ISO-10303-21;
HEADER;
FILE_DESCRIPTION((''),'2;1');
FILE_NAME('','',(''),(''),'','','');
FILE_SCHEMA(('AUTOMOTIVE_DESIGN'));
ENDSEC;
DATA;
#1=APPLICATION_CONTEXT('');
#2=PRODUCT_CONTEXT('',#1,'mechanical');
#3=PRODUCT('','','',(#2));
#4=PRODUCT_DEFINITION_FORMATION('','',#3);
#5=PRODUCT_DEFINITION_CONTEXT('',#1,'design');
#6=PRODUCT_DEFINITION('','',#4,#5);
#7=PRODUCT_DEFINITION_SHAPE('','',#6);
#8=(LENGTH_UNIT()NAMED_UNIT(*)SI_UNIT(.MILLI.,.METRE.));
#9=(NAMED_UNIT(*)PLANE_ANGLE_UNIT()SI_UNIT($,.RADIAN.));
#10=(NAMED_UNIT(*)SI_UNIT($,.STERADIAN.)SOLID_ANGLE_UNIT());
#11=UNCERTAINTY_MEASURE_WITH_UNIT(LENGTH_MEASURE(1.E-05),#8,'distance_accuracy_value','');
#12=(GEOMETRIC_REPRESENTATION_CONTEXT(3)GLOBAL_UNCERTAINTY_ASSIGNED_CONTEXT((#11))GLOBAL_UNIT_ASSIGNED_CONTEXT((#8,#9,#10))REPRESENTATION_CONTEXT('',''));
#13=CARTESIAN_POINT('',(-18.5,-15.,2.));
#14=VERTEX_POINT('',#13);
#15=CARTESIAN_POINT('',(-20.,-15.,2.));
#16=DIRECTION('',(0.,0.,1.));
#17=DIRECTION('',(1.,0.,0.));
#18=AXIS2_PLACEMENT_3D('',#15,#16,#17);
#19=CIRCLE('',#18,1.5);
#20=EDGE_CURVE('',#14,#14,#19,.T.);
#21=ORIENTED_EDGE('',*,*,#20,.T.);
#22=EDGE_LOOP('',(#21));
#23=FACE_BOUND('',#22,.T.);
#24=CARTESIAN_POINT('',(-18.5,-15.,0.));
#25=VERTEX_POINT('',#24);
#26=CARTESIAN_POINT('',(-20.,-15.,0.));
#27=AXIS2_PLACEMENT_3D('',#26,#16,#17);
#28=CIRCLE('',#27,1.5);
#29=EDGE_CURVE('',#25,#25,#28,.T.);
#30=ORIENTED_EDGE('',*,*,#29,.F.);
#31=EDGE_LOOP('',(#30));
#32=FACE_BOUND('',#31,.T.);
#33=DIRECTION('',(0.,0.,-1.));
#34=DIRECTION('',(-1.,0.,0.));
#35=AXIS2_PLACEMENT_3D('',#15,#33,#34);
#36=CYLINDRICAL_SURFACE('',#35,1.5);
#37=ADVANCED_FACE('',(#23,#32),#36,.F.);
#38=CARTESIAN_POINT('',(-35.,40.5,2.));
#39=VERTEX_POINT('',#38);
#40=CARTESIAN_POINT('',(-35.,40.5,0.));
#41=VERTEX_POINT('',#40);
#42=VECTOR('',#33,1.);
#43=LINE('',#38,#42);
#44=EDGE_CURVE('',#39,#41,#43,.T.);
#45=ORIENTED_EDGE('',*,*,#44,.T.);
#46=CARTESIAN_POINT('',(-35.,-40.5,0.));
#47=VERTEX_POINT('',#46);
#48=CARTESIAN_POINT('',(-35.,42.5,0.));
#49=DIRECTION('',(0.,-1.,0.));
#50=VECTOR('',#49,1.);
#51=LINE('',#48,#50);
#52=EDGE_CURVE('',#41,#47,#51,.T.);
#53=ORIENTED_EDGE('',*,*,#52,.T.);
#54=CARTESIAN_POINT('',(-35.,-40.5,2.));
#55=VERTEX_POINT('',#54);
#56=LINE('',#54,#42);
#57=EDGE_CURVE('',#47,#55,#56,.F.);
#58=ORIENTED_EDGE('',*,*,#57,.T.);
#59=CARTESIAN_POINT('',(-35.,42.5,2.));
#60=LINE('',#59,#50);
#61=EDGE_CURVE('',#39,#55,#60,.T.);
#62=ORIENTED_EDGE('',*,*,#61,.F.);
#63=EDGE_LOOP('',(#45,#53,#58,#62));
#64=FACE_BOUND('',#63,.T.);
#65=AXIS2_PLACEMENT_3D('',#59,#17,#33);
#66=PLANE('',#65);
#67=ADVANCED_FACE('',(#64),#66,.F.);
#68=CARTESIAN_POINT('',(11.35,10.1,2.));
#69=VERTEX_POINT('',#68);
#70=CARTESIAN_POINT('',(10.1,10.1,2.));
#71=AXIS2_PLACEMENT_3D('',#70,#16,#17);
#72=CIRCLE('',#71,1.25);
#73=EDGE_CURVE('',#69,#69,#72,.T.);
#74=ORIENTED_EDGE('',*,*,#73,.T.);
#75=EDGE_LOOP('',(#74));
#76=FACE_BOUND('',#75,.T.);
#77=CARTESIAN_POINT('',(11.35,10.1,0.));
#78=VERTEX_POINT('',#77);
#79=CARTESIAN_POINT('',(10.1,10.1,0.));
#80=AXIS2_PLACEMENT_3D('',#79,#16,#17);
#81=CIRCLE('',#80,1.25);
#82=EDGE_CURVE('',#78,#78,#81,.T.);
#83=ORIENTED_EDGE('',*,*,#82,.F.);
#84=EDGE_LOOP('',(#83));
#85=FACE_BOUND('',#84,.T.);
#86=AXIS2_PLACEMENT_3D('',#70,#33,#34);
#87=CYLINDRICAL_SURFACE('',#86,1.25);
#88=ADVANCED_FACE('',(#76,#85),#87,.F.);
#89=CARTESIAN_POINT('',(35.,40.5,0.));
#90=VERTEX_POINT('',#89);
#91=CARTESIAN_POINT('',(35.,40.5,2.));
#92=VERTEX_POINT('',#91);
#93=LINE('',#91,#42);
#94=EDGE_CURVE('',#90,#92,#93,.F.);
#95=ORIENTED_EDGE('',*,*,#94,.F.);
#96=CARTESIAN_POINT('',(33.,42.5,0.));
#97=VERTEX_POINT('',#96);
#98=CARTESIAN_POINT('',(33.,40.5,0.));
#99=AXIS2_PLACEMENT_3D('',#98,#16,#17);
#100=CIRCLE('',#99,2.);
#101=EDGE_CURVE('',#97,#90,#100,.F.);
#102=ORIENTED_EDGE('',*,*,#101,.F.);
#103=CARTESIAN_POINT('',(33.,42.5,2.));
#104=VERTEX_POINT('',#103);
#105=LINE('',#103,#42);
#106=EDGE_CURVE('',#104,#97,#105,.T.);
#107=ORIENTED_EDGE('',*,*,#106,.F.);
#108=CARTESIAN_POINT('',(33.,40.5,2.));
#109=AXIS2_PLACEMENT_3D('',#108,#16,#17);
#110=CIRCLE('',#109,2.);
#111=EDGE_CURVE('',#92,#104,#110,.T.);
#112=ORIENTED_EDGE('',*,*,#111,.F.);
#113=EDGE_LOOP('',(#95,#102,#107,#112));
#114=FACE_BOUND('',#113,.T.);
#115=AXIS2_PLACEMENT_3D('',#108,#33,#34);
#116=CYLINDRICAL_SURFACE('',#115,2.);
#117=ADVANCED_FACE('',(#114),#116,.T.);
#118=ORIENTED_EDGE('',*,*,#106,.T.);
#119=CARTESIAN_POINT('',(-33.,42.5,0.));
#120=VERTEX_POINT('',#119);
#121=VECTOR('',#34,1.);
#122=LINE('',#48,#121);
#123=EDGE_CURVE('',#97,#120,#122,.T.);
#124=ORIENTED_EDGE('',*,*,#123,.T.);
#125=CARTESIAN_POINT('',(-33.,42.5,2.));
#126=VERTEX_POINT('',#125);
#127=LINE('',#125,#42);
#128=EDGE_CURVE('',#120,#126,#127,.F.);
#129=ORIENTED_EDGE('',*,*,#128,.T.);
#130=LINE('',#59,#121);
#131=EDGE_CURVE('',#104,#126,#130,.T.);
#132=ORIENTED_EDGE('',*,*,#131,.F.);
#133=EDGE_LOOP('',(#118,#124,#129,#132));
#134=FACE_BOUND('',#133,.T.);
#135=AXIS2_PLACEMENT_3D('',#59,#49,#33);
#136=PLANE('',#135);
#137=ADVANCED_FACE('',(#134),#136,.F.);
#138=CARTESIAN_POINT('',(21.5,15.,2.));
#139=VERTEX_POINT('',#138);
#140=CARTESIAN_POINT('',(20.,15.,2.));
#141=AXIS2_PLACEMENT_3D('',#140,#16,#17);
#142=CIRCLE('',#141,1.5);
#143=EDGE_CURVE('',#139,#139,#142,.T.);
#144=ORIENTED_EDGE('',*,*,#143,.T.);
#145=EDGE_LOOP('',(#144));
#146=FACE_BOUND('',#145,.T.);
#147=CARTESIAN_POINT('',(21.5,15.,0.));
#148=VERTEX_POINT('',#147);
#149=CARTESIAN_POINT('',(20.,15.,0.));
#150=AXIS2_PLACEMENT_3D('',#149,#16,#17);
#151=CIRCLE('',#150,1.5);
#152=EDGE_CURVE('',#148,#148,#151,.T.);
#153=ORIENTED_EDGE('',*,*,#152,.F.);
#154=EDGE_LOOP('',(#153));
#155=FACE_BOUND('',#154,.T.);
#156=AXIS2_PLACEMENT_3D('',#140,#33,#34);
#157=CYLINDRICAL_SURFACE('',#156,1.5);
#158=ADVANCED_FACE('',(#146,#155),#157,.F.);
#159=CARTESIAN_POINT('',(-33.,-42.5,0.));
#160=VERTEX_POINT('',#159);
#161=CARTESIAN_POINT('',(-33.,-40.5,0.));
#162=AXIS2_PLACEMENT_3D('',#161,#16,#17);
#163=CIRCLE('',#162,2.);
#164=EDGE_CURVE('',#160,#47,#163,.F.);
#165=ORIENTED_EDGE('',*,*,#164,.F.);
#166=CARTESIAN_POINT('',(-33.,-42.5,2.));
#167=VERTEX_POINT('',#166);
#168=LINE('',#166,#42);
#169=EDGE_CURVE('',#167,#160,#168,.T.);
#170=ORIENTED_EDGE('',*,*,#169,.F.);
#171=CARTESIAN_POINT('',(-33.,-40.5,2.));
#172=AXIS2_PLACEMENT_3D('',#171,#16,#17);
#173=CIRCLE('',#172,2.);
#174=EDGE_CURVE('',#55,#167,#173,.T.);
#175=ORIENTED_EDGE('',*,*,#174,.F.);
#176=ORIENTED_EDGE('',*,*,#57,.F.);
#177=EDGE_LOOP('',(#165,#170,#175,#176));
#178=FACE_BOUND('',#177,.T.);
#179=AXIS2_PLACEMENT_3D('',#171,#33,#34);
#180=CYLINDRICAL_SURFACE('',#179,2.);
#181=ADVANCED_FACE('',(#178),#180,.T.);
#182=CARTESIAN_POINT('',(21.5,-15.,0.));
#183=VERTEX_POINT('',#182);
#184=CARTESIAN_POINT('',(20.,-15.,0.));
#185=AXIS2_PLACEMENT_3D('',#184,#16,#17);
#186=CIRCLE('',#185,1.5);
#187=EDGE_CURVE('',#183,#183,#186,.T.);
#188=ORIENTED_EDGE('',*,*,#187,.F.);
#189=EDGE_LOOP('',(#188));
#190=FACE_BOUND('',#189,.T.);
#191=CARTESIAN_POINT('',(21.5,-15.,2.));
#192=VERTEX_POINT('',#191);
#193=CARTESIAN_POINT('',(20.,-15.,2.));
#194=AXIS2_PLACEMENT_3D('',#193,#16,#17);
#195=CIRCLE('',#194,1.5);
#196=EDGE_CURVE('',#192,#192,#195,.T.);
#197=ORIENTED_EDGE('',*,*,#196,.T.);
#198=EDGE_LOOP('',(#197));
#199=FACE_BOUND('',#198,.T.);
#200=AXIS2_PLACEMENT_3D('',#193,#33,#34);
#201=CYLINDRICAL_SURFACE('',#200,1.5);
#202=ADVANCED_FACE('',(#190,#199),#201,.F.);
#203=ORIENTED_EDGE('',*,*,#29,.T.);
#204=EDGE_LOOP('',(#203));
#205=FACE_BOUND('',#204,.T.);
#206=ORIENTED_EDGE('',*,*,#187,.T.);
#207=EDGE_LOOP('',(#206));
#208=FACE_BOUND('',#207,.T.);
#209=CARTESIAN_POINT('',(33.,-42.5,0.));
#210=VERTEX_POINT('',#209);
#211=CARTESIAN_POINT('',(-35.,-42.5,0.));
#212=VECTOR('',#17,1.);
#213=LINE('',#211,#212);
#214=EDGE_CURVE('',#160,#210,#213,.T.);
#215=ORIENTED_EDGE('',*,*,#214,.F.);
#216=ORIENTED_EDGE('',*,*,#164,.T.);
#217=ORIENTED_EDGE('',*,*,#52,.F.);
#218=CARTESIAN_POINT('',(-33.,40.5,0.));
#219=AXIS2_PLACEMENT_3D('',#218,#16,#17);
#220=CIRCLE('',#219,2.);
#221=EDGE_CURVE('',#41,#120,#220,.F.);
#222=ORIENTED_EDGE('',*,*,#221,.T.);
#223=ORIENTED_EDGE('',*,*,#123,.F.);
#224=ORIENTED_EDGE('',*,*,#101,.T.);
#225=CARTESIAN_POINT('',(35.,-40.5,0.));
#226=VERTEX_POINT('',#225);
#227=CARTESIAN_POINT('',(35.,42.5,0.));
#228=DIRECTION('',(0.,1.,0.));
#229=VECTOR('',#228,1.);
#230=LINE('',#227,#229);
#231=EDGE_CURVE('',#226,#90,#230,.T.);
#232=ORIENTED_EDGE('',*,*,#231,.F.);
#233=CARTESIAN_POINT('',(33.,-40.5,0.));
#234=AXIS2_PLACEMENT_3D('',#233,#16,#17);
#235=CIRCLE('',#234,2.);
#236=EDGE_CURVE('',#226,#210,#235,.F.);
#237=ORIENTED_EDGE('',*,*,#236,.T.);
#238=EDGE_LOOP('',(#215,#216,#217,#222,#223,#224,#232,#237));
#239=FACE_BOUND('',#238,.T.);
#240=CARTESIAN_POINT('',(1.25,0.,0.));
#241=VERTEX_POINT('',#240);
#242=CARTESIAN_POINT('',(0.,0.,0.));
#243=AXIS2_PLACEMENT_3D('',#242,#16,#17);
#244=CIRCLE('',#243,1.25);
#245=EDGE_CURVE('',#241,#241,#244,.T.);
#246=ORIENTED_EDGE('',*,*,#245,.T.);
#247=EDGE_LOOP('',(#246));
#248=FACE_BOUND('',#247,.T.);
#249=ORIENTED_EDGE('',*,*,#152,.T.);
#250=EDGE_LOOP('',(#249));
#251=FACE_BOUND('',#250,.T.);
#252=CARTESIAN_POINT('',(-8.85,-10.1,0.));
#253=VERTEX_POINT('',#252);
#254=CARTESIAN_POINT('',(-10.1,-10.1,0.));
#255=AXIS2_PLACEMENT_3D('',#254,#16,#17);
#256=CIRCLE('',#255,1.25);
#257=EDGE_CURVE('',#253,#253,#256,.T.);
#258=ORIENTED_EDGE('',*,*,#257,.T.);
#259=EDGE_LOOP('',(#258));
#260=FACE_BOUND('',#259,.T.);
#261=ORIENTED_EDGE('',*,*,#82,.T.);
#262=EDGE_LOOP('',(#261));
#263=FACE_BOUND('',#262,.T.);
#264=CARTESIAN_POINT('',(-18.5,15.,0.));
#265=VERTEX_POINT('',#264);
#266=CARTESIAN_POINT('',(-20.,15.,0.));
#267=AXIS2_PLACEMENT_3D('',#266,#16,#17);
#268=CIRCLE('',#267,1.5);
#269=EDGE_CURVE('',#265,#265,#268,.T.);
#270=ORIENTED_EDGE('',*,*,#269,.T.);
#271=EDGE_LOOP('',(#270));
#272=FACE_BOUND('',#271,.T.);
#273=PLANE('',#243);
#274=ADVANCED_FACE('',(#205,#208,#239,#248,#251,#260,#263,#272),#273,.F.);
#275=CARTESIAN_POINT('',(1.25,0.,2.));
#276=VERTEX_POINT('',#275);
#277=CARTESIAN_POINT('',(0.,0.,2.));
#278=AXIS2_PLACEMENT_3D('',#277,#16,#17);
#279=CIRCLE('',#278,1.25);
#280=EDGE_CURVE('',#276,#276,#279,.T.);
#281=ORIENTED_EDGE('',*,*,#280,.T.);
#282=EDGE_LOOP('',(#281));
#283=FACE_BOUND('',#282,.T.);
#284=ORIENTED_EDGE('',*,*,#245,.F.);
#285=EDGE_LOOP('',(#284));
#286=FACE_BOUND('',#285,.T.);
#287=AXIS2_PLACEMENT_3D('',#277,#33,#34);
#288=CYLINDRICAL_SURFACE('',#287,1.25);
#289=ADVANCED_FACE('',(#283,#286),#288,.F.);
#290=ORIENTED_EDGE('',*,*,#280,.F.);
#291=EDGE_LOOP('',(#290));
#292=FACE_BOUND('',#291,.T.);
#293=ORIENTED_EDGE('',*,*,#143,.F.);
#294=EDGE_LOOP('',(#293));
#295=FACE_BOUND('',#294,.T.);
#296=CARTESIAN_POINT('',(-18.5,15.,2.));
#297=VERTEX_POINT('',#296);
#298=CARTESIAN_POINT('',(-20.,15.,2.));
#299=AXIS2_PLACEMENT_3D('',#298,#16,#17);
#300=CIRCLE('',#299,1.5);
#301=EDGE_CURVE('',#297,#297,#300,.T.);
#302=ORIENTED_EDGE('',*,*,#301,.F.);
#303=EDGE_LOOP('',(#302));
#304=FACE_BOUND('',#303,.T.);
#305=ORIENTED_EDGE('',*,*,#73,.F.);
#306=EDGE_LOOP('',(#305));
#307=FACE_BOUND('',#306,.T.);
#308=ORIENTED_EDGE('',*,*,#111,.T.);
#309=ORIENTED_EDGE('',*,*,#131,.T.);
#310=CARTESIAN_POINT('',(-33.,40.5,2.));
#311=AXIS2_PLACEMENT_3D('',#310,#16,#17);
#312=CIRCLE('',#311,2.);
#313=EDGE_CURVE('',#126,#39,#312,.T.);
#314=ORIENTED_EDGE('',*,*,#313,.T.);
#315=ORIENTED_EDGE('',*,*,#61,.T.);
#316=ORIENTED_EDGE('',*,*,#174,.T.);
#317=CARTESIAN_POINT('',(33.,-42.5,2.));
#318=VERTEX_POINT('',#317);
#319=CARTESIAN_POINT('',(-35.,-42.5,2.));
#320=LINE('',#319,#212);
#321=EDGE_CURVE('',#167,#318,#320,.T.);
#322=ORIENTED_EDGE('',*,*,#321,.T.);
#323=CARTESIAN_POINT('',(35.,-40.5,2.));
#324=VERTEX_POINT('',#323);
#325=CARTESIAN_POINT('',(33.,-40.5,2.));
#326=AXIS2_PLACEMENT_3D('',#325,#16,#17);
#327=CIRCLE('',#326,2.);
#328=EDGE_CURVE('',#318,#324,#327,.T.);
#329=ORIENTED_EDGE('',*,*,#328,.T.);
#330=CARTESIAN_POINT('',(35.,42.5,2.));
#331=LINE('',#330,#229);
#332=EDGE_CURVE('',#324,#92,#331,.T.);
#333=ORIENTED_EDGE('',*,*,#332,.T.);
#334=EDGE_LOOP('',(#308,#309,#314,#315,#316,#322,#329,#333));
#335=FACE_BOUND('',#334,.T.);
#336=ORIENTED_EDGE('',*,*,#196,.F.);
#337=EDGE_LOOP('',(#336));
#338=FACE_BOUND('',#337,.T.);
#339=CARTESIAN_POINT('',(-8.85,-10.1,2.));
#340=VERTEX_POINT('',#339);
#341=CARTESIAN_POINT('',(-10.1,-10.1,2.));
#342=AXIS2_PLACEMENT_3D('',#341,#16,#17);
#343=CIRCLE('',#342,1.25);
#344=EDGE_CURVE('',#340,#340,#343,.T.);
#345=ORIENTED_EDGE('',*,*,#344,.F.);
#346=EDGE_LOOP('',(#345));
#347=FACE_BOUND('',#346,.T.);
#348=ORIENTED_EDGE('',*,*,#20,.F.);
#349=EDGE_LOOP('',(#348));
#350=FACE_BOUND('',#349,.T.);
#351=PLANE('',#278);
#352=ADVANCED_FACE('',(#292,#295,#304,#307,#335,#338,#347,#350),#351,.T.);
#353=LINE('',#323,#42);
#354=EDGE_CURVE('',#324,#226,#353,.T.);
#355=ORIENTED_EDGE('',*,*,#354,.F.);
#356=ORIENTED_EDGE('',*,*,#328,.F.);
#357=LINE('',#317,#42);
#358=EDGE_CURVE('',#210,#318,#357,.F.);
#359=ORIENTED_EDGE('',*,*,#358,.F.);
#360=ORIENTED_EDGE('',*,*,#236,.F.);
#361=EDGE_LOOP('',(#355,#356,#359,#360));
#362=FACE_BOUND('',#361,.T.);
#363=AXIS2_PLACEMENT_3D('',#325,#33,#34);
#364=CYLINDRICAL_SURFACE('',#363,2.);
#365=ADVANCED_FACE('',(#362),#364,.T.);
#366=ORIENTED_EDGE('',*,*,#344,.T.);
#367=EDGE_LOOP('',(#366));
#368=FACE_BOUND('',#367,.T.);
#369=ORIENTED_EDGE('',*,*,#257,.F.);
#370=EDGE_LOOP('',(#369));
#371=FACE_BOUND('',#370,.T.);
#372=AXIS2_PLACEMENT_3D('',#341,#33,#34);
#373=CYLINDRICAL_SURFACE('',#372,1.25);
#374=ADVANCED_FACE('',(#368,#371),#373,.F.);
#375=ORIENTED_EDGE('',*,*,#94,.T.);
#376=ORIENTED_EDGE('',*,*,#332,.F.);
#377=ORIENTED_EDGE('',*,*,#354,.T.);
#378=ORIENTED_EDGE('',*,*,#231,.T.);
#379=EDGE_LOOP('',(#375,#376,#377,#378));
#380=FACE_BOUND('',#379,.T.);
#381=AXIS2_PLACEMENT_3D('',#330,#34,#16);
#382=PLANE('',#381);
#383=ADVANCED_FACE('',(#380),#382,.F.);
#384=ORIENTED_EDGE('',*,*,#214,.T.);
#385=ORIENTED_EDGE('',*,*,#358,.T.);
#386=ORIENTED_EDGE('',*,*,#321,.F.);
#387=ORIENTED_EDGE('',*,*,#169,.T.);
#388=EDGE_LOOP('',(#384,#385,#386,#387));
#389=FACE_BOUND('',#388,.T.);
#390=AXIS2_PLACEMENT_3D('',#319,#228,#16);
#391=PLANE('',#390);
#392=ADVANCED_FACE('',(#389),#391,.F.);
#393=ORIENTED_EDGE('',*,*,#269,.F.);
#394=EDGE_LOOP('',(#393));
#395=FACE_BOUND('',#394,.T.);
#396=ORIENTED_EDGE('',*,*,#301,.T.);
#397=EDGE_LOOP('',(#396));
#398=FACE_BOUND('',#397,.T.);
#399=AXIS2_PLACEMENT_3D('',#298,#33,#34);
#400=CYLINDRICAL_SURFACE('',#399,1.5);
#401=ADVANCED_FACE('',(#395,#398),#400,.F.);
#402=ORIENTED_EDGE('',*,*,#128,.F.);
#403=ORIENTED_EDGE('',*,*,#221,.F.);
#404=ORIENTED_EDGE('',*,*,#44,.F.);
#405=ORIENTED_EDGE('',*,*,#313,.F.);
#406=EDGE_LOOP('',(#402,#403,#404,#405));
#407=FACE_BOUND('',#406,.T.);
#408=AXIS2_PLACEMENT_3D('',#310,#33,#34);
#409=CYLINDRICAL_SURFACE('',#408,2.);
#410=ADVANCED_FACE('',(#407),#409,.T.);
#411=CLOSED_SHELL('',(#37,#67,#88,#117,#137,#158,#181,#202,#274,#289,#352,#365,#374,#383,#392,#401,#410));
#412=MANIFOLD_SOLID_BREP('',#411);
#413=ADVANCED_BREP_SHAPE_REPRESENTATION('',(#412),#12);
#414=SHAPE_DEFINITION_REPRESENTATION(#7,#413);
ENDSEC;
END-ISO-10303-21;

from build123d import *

# Parameters (mm, degrees)
SKETCH_1_W      = 70
SKETCH_1_H      = 85
SKETCH_1_R      = 1.5
SKETCH_1_R_2    = 1.25
EXTRUDE_1_DEPTH = 2
FILLET_1_R      = 2


with BuildPart() as part:
    # 草图1 → 凸台-拉伸1 (new body)
    with BuildSketch(Plane.XY):
        Rectangle(SKETCH_1_W, SKETCH_1_H)
        with Locations((-20, 15)):
            Circle(SKETCH_1_R, mode=Mode.SUBTRACT)
        with Locations((20, 15)):
            Circle(SKETCH_1_R, mode=Mode.SUBTRACT)
        with Locations((-20, -15)):
            Circle(SKETCH_1_R, mode=Mode.SUBTRACT)
        with Locations((20, -15)):
            Circle(SKETCH_1_R, mode=Mode.SUBTRACT)
        with Locations((10.1, 10.1)):
            Circle(SKETCH_1_R_2, mode=Mode.SUBTRACT)
        with Locations((-10.1, -10.1)):
            Circle(SKETCH_1_R_2, mode=Mode.SUBTRACT)
        Circle(SKETCH_1_R_2, mode=Mode.SUBTRACT)
    extrude(amount=EXTRUDE_1_DEPTH)

    # 圆角1
    fillet_1_edges = [part.edges().sort_by_distance(p)[0] for p in [
        (35, -42.5, 1),
        (-35, -42.5, 1),
        (-35, 42.5, 1),
        (35, 42.5, 1),
    ]]
    fillet(fillet_1_edges, radius=FILLET_1_R)


solid = part.part
